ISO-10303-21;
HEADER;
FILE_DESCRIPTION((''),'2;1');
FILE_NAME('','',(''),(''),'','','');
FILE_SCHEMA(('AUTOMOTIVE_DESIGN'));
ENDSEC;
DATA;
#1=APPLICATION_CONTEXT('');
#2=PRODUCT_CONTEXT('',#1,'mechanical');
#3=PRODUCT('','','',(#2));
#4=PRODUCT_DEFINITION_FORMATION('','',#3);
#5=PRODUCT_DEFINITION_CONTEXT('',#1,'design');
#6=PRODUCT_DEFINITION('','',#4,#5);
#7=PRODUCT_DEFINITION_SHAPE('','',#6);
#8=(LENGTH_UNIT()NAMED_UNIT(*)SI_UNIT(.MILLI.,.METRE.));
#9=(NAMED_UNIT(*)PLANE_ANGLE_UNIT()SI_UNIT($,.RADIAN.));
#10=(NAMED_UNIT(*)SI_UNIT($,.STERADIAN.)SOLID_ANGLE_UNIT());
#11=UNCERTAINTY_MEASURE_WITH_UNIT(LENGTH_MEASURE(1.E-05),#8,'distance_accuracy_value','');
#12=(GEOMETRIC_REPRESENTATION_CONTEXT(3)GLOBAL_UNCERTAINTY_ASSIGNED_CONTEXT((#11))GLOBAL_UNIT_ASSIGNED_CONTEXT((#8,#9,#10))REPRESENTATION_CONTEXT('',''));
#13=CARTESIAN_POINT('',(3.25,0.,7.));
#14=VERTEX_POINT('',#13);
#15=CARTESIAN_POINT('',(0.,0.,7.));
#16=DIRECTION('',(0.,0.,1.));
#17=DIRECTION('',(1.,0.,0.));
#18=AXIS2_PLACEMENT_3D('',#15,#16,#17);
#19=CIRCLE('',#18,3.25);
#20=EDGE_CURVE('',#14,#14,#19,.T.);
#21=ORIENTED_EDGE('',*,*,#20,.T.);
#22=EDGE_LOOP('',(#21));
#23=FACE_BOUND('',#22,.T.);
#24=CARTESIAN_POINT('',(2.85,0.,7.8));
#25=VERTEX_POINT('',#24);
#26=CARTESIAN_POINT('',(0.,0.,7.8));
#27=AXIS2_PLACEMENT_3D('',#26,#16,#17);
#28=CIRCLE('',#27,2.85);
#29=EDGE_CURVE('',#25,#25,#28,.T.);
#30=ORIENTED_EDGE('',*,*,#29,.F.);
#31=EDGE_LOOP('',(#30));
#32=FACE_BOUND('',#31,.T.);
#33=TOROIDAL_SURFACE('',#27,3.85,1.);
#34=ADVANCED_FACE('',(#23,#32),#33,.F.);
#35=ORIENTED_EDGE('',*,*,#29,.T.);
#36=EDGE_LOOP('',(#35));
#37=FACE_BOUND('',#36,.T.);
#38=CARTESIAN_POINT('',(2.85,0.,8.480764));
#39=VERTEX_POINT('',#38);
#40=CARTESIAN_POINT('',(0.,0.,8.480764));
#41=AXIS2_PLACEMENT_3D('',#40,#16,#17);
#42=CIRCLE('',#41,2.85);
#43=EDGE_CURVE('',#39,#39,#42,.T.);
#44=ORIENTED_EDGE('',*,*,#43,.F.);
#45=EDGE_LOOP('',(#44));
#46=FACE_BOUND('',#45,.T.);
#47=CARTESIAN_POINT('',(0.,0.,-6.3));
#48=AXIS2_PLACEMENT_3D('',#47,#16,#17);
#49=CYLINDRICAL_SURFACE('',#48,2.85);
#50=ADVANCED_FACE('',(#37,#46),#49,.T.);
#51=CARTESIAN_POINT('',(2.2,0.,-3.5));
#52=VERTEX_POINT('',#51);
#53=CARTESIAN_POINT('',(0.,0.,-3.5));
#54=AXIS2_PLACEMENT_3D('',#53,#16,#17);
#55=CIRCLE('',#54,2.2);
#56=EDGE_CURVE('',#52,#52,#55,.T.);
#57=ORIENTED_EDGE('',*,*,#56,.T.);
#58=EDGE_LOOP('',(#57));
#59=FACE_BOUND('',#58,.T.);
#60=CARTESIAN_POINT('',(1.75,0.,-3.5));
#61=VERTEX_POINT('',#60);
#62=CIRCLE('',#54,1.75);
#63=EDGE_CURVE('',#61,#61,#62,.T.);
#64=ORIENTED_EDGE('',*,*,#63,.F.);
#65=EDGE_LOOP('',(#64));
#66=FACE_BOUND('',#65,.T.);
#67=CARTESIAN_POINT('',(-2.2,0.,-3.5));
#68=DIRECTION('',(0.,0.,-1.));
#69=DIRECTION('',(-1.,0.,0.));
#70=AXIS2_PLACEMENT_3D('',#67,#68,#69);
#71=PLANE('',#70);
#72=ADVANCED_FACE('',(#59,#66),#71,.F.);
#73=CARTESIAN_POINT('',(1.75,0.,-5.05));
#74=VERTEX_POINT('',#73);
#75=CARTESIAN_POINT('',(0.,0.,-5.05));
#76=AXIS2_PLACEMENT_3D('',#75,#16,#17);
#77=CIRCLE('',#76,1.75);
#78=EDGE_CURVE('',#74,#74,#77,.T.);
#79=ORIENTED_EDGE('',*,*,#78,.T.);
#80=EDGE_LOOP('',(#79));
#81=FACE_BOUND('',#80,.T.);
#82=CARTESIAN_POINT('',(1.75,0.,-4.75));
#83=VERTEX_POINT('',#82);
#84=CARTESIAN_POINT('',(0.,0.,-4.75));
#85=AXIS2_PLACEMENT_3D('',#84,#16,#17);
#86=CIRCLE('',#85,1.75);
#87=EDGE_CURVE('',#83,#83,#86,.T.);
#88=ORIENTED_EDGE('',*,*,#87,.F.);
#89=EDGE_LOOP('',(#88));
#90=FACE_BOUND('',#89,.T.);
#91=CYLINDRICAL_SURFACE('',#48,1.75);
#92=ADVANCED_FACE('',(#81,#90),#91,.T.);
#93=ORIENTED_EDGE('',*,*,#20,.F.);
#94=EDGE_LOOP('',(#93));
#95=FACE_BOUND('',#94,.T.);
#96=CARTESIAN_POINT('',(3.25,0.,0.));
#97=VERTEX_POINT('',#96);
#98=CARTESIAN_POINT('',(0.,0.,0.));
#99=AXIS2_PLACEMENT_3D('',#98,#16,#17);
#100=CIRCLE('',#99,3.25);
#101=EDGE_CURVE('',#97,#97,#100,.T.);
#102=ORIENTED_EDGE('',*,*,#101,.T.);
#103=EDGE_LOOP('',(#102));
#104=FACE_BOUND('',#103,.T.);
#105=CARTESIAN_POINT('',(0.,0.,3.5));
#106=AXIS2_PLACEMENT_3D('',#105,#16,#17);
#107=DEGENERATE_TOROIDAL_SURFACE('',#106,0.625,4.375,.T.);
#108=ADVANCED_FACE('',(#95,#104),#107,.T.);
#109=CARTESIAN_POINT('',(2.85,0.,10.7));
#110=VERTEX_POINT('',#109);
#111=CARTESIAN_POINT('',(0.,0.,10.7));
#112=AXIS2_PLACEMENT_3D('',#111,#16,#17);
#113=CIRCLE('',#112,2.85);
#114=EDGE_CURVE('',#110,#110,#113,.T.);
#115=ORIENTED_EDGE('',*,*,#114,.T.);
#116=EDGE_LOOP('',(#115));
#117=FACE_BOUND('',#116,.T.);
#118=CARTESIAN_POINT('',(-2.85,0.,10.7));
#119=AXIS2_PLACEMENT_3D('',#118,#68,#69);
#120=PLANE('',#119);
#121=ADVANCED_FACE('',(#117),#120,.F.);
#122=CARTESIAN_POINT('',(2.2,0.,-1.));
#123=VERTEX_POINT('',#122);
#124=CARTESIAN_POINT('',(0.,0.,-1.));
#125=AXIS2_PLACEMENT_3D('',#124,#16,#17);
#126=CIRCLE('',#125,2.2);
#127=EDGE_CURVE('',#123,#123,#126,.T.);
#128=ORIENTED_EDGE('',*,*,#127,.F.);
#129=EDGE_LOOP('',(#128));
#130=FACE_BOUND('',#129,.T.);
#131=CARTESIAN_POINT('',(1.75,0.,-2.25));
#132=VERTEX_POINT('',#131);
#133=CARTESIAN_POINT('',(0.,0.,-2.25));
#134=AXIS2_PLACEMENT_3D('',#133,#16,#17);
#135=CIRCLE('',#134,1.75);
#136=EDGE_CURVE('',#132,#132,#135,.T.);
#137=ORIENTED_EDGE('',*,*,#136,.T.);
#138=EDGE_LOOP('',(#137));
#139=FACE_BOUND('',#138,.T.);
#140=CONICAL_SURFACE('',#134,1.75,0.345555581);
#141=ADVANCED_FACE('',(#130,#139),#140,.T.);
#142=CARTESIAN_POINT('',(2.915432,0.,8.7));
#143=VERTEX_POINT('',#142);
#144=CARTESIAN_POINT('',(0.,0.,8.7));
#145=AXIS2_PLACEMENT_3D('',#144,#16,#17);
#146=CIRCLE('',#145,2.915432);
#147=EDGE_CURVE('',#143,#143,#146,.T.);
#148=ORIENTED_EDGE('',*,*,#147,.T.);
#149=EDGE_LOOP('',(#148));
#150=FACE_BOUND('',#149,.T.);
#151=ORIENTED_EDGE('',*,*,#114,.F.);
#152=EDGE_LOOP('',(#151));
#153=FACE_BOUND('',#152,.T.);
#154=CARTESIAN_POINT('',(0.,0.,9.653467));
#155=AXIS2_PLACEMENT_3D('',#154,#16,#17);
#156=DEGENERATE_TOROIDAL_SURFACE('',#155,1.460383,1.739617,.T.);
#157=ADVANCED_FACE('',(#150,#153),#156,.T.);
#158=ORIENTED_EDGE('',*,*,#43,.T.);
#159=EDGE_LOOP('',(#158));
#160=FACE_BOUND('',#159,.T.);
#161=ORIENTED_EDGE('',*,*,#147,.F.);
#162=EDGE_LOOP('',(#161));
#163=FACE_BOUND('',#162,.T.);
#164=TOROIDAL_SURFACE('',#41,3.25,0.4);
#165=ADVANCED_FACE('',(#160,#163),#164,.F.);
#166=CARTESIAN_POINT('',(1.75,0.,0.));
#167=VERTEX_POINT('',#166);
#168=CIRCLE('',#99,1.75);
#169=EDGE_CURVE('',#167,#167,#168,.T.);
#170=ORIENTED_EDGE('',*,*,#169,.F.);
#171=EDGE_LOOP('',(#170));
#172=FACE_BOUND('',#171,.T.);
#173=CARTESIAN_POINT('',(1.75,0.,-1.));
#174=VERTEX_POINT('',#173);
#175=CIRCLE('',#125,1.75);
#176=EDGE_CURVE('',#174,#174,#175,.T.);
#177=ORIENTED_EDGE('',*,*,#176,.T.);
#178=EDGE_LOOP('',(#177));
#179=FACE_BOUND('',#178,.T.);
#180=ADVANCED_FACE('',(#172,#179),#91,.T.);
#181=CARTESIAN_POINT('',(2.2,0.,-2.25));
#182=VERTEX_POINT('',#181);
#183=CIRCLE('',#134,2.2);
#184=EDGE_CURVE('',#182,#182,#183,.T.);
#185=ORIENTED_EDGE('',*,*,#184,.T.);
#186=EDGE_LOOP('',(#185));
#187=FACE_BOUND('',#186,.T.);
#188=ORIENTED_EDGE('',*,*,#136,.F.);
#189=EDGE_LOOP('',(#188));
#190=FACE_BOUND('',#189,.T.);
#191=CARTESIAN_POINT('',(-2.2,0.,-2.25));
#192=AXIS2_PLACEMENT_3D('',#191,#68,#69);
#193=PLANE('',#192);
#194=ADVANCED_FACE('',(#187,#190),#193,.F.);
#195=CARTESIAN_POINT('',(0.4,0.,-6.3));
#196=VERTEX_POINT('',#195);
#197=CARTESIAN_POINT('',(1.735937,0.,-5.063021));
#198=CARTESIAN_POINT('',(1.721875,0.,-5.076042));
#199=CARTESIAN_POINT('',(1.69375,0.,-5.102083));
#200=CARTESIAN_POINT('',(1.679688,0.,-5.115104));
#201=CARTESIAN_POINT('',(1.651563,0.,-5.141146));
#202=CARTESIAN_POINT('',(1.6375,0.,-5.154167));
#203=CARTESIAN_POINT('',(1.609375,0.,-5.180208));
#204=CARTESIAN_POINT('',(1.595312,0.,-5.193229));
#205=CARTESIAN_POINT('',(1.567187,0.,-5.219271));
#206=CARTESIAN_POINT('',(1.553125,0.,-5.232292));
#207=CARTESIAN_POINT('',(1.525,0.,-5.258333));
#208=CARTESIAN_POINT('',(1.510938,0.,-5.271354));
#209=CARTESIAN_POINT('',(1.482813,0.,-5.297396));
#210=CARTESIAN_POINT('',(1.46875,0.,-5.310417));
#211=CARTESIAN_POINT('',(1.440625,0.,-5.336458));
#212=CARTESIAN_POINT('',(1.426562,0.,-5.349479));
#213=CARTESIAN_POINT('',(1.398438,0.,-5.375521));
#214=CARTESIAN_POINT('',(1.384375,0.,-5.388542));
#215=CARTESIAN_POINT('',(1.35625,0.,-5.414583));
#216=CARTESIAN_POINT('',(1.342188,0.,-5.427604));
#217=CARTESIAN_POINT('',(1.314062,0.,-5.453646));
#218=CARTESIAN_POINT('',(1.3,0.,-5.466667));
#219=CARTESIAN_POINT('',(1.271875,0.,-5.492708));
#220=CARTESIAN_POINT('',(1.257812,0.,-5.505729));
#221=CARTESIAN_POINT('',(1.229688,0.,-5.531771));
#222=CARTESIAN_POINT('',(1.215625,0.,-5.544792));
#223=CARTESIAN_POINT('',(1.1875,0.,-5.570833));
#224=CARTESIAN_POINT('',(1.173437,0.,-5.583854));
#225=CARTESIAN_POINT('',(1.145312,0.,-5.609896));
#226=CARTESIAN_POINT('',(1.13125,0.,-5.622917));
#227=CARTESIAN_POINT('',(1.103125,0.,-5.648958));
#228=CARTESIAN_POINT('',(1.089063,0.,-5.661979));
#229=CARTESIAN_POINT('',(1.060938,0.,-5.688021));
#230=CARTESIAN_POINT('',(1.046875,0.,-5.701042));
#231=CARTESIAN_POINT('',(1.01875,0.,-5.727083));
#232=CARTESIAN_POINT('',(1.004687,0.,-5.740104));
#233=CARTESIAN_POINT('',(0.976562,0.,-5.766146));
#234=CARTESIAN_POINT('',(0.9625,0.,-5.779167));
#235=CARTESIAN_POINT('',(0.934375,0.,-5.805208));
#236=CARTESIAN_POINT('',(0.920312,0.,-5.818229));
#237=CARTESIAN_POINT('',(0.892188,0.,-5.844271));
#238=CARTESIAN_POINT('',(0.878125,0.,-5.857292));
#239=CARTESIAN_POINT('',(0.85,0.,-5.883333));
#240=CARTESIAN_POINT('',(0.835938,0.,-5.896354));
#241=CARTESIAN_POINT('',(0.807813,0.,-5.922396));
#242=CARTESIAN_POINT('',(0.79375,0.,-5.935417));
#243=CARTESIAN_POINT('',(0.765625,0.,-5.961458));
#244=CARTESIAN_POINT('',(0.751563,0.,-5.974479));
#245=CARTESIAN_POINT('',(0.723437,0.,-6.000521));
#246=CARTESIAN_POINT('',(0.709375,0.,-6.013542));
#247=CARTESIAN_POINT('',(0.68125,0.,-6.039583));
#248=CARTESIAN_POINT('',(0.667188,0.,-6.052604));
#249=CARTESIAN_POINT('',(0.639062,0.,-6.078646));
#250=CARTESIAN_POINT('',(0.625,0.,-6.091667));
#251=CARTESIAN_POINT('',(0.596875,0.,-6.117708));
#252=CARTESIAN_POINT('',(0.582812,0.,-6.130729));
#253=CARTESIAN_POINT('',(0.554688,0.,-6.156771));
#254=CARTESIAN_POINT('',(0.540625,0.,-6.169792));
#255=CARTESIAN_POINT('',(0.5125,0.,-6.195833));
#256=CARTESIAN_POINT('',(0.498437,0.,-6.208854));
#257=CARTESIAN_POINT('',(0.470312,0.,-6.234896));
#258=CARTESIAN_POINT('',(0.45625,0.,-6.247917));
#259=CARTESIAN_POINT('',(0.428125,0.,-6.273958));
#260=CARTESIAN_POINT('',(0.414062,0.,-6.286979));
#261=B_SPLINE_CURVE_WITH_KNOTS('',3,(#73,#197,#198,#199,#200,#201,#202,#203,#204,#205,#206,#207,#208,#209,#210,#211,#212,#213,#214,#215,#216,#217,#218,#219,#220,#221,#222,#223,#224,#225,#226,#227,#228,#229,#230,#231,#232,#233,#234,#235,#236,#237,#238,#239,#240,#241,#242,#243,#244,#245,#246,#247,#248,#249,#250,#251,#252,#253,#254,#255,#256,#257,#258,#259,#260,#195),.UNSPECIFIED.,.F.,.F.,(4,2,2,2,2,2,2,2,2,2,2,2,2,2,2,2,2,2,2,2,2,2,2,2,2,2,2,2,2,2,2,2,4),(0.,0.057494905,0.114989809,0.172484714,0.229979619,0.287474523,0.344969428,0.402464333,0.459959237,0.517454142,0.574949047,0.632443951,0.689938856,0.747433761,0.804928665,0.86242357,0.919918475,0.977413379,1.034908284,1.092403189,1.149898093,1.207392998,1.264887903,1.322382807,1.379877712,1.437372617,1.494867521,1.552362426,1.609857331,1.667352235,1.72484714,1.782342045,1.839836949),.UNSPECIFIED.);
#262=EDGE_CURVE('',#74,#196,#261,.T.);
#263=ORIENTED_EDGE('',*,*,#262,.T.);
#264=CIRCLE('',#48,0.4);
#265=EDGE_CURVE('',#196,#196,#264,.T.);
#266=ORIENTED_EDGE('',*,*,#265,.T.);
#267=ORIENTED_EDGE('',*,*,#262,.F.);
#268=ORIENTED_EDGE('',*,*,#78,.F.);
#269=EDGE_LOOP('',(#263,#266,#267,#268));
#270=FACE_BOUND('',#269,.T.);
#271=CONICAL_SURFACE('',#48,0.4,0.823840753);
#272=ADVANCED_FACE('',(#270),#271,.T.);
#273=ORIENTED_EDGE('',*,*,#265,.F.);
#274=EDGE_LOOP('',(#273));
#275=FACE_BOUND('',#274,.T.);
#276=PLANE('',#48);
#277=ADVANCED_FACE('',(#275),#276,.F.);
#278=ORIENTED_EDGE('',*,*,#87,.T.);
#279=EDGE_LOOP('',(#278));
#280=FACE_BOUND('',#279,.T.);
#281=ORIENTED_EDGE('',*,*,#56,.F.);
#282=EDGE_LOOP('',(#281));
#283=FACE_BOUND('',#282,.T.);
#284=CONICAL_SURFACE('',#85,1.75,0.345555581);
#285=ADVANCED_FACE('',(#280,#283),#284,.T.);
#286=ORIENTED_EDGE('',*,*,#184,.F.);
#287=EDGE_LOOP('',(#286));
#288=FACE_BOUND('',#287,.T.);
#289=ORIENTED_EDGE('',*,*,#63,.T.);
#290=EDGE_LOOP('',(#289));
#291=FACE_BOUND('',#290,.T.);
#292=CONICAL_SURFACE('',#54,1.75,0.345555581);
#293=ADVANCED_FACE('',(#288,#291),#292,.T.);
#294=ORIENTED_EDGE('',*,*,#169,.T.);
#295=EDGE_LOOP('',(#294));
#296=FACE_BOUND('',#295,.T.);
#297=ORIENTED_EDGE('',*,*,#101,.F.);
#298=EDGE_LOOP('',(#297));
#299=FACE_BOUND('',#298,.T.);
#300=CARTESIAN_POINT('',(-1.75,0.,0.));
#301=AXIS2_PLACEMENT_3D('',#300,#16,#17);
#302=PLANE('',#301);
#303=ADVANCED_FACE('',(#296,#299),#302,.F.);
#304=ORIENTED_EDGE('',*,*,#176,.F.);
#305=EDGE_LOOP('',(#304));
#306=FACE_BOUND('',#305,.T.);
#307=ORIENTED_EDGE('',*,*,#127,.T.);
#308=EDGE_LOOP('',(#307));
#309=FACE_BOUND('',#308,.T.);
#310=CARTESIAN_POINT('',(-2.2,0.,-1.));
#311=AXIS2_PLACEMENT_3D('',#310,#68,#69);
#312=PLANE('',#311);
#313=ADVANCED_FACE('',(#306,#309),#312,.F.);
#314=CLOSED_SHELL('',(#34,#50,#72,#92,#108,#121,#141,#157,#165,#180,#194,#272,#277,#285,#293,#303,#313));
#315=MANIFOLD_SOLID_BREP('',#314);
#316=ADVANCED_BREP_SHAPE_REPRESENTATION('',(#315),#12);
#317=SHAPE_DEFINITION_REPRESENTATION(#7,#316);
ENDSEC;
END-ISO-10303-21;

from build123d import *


with BuildPart() as part:
    # Эскиз1 → Повернуть2 (revolve)
    with BuildSketch(Plane(origin=(0, 0, 0), x_dir=(1, 0, 0), z_dir=(0, 1, 0))):
        with BuildLine():
            Line((0, -10.7), (0, 6.3))
            Line((0, 6.3), (-0.4, 6.3))
            Line((-0.4, 6.3), (-1.75, 5.05))
            Line((-1.75, 5.05), (-1.75, 4.75))
            Line((-1.75, 4.75), (-2.2, 3.5))
            Line((-2.2, 3.5), (-1.75, 3.5))
            Line((-1.75, 3.5), (-2.2, 2.25))
            Line((-2.2, 2.25), (-1.75, 2.25))
            Line((-1.75, 2.25), (-2.2, 1))
            Line((-2.2, 1), (-1.75, 1))
            Line((-1.75, 1), (-1.75, 0))
            Line((-1.75, 0), (-3.25, 0))
            ThreePointArc((-3.25, 0), (-5, -3.5), (-3.25, -7))
            ThreePointArc((-3.25, -7), (-2.955572809, -7.352786405), (-2.85, -7.8))
            Line((-2.85, -7.8), (-2.85, -8.48076397))
            ThreePointArc((-2.85, -8.48076397), (-2.866706972, -8.595160014), (-2.915432274, -8.7))
            ThreePointArc((-2.915432274, -8.7), (-3.199069751, -9.710349868), (-2.85, -10.7))
            Line((-2.85, -10.7), (0, -10.7))
        make_face()
    revolve(axis=Axis((0, 0, -6.3), (0, 0, -1)))


solid = part.part
